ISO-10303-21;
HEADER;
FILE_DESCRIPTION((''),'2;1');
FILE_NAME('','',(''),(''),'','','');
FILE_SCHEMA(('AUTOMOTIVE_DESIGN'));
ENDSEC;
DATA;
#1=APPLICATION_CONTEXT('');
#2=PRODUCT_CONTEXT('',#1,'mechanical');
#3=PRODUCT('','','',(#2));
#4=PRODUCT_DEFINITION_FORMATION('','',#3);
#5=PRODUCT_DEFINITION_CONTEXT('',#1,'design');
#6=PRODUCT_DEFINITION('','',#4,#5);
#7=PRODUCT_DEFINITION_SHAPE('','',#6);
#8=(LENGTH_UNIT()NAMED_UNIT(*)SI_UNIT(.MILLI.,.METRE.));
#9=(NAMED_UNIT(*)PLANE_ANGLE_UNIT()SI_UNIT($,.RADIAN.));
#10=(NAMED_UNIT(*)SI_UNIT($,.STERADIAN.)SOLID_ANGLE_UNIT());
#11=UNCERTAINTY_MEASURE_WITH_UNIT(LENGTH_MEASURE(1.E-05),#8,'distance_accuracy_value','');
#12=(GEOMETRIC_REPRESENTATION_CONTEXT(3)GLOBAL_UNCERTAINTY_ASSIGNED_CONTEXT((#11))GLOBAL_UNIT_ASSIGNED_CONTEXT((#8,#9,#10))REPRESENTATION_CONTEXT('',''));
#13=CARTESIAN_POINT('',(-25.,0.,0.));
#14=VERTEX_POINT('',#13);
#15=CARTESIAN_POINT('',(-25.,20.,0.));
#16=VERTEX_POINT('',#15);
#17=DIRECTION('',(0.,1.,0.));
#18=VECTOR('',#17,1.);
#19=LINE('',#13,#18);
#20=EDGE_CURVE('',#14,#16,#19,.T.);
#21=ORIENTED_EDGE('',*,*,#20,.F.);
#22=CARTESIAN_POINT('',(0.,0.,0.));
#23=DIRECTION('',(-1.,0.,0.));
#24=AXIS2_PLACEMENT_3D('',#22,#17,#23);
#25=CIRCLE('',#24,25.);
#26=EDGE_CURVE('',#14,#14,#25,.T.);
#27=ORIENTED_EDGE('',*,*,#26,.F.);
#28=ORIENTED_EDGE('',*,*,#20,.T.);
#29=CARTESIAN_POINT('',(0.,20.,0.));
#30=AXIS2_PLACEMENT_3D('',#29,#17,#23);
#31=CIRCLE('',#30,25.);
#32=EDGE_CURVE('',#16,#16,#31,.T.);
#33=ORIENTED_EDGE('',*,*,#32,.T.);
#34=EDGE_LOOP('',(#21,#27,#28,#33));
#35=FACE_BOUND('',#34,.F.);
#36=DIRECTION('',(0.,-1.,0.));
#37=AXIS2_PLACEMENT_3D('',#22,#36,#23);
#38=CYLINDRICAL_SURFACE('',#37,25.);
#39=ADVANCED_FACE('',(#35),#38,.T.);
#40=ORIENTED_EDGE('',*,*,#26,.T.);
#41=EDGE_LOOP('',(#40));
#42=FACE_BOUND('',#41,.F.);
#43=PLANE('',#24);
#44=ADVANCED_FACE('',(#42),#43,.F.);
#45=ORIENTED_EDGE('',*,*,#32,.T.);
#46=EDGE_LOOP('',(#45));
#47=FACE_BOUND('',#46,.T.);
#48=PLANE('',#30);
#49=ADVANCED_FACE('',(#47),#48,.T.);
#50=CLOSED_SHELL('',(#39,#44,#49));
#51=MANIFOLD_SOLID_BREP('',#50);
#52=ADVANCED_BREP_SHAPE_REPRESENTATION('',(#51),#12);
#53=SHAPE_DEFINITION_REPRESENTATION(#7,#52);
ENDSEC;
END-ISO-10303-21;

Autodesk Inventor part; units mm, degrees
ref_plane "YZ Plane" through (0, 0, 0) normal (1, 0, 0) x (0, 1, 0)
ref_plane "XZ Plane" through (0, 0, 0) normal (0, 1, 0) x (-1, 0, 0)
ref_plane "XY Plane" through (0, 0, 0) normal (0, 0, 1) x (1, 0, 0)
sketch "Skizze1" plane through (0, 0, 0) normal (0, 1, 0) x (-1, 0, 0)
  circle A0 centre (0, 0) radius 25
  dimension "d0" = 50
extrude "Extrusion1" add sketch "Skizze1" along normal blind 20
properties part number "Zylinder"
